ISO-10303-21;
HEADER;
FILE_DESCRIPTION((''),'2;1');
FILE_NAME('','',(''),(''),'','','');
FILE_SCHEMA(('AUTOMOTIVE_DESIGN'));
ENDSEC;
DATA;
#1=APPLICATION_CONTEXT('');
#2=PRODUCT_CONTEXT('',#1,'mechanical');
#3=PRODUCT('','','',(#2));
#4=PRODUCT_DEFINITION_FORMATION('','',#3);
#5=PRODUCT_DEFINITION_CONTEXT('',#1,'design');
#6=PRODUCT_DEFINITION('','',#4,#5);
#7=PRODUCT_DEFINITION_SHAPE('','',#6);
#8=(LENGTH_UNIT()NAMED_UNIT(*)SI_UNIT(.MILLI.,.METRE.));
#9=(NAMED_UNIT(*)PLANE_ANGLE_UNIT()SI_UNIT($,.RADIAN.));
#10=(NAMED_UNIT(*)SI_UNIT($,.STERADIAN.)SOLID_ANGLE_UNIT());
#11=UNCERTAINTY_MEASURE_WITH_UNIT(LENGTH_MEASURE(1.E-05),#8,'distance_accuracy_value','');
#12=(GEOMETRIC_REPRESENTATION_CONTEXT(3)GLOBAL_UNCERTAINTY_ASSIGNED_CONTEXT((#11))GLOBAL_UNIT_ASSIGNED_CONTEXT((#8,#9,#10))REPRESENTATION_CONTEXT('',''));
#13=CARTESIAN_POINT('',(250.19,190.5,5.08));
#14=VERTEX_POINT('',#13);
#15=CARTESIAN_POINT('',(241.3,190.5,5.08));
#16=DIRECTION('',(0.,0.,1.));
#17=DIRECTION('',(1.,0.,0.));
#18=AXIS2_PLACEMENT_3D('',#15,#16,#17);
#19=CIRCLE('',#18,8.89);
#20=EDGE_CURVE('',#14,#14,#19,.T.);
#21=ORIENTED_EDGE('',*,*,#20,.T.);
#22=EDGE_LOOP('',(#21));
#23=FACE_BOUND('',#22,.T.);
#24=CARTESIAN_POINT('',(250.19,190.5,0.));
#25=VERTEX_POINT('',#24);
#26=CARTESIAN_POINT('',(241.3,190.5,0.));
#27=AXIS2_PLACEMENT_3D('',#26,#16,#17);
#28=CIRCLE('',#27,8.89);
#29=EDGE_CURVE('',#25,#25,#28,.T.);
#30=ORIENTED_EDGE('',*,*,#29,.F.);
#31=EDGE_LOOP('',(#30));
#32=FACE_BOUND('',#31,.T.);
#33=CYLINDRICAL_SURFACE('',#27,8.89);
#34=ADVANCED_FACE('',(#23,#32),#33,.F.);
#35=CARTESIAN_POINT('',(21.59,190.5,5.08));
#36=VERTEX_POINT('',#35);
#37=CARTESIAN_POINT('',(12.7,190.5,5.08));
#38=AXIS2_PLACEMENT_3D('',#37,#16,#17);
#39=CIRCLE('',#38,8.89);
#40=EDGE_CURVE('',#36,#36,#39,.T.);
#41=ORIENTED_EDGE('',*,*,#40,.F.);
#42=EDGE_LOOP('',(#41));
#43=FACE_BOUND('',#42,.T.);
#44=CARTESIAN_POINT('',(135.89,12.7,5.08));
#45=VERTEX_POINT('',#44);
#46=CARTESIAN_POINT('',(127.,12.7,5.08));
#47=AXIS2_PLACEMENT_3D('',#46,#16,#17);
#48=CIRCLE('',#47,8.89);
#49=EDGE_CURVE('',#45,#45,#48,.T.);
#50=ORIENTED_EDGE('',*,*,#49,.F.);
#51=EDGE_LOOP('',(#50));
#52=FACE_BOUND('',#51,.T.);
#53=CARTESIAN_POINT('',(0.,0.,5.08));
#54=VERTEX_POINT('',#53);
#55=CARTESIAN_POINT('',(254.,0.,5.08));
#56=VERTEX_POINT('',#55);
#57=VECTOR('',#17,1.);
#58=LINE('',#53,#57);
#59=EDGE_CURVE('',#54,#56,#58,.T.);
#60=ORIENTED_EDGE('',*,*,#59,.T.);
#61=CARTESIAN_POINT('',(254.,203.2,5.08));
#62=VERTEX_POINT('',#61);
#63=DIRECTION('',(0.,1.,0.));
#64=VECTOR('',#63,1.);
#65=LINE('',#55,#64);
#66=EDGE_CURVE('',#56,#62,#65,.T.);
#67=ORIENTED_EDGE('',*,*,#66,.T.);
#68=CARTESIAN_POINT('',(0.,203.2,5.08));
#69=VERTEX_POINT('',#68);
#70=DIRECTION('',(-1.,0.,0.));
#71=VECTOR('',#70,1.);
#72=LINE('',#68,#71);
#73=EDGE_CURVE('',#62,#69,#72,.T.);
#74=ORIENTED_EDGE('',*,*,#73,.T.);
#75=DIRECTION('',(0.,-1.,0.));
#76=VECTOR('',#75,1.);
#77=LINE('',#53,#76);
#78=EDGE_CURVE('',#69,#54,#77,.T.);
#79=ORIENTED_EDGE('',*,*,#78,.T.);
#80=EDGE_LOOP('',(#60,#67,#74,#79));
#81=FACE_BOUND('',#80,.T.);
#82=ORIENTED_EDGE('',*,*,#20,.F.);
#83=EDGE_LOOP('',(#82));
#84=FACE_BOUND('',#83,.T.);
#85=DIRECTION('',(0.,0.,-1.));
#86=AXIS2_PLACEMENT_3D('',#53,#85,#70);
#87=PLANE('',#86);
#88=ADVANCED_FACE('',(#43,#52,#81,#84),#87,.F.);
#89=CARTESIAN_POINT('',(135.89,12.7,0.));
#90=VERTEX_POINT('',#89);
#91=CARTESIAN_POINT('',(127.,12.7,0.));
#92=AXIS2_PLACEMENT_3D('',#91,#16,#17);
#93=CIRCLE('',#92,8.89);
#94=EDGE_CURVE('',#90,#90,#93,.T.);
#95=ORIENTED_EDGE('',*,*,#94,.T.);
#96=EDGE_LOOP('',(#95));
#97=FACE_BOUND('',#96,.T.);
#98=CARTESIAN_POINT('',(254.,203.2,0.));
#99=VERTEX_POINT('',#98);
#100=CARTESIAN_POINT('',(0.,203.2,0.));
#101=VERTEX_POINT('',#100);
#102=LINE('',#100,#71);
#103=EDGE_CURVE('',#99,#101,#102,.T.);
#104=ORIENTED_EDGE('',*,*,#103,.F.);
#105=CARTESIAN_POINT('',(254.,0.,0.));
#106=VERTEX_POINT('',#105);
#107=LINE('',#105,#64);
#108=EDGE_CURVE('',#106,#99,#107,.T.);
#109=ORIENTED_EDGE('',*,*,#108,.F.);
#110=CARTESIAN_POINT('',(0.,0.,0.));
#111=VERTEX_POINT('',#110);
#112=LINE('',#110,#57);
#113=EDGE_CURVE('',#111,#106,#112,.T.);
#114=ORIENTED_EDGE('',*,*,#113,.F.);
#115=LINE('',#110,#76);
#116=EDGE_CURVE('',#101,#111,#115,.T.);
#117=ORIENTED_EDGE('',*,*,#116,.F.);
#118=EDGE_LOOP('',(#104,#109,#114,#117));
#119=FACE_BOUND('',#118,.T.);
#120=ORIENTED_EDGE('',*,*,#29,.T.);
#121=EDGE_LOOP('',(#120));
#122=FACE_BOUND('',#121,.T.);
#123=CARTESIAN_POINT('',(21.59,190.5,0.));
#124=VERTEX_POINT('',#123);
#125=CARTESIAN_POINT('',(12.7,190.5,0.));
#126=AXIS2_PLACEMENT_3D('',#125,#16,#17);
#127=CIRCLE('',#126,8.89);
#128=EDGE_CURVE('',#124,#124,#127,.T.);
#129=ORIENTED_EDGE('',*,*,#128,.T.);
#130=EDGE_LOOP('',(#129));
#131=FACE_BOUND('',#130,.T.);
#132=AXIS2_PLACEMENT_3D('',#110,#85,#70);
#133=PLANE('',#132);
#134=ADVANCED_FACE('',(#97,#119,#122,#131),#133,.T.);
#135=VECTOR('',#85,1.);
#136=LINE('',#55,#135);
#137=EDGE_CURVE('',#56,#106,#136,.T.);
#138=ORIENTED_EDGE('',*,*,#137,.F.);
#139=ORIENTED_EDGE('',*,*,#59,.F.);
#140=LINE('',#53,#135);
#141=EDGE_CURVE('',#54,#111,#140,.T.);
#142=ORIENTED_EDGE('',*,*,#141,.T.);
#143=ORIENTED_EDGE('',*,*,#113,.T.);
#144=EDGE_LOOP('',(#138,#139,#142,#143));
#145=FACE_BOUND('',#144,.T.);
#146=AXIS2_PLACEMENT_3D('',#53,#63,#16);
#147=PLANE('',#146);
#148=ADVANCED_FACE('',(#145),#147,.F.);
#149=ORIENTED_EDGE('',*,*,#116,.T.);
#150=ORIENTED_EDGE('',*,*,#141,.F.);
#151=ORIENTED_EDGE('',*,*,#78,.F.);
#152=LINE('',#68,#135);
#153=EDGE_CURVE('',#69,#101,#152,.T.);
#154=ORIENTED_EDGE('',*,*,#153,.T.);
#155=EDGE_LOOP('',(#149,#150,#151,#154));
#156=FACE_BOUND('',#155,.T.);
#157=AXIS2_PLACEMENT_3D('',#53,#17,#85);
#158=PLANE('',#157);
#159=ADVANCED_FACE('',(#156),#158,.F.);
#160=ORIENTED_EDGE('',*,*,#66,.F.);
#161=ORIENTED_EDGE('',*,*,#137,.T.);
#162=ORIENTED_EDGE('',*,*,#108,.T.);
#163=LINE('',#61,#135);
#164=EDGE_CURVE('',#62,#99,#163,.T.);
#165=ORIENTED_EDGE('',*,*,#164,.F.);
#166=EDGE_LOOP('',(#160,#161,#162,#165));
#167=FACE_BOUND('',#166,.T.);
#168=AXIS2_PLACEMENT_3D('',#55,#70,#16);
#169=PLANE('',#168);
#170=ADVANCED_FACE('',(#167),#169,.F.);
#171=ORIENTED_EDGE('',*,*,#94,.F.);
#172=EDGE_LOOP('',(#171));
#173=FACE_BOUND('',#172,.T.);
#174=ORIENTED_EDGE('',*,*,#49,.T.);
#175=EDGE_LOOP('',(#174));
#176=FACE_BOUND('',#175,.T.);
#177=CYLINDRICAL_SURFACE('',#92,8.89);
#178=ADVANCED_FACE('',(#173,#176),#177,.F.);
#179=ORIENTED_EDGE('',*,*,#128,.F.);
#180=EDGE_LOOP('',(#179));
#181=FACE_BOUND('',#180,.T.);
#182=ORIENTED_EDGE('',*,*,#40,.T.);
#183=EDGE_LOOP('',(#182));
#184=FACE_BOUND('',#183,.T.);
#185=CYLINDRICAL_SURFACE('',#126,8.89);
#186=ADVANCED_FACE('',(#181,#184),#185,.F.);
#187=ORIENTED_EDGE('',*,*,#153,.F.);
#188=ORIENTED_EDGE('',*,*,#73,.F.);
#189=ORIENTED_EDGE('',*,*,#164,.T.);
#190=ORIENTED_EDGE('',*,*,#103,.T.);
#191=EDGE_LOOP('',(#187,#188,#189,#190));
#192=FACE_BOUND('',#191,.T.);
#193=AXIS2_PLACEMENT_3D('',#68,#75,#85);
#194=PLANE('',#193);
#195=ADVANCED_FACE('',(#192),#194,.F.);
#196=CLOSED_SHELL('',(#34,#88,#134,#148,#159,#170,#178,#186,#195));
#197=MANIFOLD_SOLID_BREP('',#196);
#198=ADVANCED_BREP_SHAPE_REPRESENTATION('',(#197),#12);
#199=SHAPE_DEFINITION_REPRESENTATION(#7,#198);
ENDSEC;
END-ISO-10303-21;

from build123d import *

# Parameters (mm, degrees)
SKETCH2_W           = 254
SKETCH2_H           = 203.2
BOSS_EXTRUDE1_DEPTH = 5.08
SKETCH3_R           = 8.89
CUT_EXTRUDE1_DEPTH  = 326.318376979


with BuildPart() as part:
    # Sketch2 → Boss-Extrude1 (new body)
    with BuildSketch(Plane.XY):
        with Locations((127, 101.6)):
            Rectangle(SKETCH2_W, SKETCH2_H)
    extrude(amount=BOSS_EXTRUDE1_DEPTH)

    # Sketch3 → Cut-Extrude1 (cut, through all)
    with BuildSketch(Plane.XY.offset(5.08)):
        with Locations((12.7, 190.5)):
            Circle(SKETCH3_R)
        with Locations((241.3, 190.5)):
            Circle(SKETCH3_R)
        with Locations((127, 12.7)):
            Circle(SKETCH3_R)
    extrude(amount=-CUT_EXTRUDE1_DEPTH, mode=Mode.SUBTRACT)


solid = part.part
